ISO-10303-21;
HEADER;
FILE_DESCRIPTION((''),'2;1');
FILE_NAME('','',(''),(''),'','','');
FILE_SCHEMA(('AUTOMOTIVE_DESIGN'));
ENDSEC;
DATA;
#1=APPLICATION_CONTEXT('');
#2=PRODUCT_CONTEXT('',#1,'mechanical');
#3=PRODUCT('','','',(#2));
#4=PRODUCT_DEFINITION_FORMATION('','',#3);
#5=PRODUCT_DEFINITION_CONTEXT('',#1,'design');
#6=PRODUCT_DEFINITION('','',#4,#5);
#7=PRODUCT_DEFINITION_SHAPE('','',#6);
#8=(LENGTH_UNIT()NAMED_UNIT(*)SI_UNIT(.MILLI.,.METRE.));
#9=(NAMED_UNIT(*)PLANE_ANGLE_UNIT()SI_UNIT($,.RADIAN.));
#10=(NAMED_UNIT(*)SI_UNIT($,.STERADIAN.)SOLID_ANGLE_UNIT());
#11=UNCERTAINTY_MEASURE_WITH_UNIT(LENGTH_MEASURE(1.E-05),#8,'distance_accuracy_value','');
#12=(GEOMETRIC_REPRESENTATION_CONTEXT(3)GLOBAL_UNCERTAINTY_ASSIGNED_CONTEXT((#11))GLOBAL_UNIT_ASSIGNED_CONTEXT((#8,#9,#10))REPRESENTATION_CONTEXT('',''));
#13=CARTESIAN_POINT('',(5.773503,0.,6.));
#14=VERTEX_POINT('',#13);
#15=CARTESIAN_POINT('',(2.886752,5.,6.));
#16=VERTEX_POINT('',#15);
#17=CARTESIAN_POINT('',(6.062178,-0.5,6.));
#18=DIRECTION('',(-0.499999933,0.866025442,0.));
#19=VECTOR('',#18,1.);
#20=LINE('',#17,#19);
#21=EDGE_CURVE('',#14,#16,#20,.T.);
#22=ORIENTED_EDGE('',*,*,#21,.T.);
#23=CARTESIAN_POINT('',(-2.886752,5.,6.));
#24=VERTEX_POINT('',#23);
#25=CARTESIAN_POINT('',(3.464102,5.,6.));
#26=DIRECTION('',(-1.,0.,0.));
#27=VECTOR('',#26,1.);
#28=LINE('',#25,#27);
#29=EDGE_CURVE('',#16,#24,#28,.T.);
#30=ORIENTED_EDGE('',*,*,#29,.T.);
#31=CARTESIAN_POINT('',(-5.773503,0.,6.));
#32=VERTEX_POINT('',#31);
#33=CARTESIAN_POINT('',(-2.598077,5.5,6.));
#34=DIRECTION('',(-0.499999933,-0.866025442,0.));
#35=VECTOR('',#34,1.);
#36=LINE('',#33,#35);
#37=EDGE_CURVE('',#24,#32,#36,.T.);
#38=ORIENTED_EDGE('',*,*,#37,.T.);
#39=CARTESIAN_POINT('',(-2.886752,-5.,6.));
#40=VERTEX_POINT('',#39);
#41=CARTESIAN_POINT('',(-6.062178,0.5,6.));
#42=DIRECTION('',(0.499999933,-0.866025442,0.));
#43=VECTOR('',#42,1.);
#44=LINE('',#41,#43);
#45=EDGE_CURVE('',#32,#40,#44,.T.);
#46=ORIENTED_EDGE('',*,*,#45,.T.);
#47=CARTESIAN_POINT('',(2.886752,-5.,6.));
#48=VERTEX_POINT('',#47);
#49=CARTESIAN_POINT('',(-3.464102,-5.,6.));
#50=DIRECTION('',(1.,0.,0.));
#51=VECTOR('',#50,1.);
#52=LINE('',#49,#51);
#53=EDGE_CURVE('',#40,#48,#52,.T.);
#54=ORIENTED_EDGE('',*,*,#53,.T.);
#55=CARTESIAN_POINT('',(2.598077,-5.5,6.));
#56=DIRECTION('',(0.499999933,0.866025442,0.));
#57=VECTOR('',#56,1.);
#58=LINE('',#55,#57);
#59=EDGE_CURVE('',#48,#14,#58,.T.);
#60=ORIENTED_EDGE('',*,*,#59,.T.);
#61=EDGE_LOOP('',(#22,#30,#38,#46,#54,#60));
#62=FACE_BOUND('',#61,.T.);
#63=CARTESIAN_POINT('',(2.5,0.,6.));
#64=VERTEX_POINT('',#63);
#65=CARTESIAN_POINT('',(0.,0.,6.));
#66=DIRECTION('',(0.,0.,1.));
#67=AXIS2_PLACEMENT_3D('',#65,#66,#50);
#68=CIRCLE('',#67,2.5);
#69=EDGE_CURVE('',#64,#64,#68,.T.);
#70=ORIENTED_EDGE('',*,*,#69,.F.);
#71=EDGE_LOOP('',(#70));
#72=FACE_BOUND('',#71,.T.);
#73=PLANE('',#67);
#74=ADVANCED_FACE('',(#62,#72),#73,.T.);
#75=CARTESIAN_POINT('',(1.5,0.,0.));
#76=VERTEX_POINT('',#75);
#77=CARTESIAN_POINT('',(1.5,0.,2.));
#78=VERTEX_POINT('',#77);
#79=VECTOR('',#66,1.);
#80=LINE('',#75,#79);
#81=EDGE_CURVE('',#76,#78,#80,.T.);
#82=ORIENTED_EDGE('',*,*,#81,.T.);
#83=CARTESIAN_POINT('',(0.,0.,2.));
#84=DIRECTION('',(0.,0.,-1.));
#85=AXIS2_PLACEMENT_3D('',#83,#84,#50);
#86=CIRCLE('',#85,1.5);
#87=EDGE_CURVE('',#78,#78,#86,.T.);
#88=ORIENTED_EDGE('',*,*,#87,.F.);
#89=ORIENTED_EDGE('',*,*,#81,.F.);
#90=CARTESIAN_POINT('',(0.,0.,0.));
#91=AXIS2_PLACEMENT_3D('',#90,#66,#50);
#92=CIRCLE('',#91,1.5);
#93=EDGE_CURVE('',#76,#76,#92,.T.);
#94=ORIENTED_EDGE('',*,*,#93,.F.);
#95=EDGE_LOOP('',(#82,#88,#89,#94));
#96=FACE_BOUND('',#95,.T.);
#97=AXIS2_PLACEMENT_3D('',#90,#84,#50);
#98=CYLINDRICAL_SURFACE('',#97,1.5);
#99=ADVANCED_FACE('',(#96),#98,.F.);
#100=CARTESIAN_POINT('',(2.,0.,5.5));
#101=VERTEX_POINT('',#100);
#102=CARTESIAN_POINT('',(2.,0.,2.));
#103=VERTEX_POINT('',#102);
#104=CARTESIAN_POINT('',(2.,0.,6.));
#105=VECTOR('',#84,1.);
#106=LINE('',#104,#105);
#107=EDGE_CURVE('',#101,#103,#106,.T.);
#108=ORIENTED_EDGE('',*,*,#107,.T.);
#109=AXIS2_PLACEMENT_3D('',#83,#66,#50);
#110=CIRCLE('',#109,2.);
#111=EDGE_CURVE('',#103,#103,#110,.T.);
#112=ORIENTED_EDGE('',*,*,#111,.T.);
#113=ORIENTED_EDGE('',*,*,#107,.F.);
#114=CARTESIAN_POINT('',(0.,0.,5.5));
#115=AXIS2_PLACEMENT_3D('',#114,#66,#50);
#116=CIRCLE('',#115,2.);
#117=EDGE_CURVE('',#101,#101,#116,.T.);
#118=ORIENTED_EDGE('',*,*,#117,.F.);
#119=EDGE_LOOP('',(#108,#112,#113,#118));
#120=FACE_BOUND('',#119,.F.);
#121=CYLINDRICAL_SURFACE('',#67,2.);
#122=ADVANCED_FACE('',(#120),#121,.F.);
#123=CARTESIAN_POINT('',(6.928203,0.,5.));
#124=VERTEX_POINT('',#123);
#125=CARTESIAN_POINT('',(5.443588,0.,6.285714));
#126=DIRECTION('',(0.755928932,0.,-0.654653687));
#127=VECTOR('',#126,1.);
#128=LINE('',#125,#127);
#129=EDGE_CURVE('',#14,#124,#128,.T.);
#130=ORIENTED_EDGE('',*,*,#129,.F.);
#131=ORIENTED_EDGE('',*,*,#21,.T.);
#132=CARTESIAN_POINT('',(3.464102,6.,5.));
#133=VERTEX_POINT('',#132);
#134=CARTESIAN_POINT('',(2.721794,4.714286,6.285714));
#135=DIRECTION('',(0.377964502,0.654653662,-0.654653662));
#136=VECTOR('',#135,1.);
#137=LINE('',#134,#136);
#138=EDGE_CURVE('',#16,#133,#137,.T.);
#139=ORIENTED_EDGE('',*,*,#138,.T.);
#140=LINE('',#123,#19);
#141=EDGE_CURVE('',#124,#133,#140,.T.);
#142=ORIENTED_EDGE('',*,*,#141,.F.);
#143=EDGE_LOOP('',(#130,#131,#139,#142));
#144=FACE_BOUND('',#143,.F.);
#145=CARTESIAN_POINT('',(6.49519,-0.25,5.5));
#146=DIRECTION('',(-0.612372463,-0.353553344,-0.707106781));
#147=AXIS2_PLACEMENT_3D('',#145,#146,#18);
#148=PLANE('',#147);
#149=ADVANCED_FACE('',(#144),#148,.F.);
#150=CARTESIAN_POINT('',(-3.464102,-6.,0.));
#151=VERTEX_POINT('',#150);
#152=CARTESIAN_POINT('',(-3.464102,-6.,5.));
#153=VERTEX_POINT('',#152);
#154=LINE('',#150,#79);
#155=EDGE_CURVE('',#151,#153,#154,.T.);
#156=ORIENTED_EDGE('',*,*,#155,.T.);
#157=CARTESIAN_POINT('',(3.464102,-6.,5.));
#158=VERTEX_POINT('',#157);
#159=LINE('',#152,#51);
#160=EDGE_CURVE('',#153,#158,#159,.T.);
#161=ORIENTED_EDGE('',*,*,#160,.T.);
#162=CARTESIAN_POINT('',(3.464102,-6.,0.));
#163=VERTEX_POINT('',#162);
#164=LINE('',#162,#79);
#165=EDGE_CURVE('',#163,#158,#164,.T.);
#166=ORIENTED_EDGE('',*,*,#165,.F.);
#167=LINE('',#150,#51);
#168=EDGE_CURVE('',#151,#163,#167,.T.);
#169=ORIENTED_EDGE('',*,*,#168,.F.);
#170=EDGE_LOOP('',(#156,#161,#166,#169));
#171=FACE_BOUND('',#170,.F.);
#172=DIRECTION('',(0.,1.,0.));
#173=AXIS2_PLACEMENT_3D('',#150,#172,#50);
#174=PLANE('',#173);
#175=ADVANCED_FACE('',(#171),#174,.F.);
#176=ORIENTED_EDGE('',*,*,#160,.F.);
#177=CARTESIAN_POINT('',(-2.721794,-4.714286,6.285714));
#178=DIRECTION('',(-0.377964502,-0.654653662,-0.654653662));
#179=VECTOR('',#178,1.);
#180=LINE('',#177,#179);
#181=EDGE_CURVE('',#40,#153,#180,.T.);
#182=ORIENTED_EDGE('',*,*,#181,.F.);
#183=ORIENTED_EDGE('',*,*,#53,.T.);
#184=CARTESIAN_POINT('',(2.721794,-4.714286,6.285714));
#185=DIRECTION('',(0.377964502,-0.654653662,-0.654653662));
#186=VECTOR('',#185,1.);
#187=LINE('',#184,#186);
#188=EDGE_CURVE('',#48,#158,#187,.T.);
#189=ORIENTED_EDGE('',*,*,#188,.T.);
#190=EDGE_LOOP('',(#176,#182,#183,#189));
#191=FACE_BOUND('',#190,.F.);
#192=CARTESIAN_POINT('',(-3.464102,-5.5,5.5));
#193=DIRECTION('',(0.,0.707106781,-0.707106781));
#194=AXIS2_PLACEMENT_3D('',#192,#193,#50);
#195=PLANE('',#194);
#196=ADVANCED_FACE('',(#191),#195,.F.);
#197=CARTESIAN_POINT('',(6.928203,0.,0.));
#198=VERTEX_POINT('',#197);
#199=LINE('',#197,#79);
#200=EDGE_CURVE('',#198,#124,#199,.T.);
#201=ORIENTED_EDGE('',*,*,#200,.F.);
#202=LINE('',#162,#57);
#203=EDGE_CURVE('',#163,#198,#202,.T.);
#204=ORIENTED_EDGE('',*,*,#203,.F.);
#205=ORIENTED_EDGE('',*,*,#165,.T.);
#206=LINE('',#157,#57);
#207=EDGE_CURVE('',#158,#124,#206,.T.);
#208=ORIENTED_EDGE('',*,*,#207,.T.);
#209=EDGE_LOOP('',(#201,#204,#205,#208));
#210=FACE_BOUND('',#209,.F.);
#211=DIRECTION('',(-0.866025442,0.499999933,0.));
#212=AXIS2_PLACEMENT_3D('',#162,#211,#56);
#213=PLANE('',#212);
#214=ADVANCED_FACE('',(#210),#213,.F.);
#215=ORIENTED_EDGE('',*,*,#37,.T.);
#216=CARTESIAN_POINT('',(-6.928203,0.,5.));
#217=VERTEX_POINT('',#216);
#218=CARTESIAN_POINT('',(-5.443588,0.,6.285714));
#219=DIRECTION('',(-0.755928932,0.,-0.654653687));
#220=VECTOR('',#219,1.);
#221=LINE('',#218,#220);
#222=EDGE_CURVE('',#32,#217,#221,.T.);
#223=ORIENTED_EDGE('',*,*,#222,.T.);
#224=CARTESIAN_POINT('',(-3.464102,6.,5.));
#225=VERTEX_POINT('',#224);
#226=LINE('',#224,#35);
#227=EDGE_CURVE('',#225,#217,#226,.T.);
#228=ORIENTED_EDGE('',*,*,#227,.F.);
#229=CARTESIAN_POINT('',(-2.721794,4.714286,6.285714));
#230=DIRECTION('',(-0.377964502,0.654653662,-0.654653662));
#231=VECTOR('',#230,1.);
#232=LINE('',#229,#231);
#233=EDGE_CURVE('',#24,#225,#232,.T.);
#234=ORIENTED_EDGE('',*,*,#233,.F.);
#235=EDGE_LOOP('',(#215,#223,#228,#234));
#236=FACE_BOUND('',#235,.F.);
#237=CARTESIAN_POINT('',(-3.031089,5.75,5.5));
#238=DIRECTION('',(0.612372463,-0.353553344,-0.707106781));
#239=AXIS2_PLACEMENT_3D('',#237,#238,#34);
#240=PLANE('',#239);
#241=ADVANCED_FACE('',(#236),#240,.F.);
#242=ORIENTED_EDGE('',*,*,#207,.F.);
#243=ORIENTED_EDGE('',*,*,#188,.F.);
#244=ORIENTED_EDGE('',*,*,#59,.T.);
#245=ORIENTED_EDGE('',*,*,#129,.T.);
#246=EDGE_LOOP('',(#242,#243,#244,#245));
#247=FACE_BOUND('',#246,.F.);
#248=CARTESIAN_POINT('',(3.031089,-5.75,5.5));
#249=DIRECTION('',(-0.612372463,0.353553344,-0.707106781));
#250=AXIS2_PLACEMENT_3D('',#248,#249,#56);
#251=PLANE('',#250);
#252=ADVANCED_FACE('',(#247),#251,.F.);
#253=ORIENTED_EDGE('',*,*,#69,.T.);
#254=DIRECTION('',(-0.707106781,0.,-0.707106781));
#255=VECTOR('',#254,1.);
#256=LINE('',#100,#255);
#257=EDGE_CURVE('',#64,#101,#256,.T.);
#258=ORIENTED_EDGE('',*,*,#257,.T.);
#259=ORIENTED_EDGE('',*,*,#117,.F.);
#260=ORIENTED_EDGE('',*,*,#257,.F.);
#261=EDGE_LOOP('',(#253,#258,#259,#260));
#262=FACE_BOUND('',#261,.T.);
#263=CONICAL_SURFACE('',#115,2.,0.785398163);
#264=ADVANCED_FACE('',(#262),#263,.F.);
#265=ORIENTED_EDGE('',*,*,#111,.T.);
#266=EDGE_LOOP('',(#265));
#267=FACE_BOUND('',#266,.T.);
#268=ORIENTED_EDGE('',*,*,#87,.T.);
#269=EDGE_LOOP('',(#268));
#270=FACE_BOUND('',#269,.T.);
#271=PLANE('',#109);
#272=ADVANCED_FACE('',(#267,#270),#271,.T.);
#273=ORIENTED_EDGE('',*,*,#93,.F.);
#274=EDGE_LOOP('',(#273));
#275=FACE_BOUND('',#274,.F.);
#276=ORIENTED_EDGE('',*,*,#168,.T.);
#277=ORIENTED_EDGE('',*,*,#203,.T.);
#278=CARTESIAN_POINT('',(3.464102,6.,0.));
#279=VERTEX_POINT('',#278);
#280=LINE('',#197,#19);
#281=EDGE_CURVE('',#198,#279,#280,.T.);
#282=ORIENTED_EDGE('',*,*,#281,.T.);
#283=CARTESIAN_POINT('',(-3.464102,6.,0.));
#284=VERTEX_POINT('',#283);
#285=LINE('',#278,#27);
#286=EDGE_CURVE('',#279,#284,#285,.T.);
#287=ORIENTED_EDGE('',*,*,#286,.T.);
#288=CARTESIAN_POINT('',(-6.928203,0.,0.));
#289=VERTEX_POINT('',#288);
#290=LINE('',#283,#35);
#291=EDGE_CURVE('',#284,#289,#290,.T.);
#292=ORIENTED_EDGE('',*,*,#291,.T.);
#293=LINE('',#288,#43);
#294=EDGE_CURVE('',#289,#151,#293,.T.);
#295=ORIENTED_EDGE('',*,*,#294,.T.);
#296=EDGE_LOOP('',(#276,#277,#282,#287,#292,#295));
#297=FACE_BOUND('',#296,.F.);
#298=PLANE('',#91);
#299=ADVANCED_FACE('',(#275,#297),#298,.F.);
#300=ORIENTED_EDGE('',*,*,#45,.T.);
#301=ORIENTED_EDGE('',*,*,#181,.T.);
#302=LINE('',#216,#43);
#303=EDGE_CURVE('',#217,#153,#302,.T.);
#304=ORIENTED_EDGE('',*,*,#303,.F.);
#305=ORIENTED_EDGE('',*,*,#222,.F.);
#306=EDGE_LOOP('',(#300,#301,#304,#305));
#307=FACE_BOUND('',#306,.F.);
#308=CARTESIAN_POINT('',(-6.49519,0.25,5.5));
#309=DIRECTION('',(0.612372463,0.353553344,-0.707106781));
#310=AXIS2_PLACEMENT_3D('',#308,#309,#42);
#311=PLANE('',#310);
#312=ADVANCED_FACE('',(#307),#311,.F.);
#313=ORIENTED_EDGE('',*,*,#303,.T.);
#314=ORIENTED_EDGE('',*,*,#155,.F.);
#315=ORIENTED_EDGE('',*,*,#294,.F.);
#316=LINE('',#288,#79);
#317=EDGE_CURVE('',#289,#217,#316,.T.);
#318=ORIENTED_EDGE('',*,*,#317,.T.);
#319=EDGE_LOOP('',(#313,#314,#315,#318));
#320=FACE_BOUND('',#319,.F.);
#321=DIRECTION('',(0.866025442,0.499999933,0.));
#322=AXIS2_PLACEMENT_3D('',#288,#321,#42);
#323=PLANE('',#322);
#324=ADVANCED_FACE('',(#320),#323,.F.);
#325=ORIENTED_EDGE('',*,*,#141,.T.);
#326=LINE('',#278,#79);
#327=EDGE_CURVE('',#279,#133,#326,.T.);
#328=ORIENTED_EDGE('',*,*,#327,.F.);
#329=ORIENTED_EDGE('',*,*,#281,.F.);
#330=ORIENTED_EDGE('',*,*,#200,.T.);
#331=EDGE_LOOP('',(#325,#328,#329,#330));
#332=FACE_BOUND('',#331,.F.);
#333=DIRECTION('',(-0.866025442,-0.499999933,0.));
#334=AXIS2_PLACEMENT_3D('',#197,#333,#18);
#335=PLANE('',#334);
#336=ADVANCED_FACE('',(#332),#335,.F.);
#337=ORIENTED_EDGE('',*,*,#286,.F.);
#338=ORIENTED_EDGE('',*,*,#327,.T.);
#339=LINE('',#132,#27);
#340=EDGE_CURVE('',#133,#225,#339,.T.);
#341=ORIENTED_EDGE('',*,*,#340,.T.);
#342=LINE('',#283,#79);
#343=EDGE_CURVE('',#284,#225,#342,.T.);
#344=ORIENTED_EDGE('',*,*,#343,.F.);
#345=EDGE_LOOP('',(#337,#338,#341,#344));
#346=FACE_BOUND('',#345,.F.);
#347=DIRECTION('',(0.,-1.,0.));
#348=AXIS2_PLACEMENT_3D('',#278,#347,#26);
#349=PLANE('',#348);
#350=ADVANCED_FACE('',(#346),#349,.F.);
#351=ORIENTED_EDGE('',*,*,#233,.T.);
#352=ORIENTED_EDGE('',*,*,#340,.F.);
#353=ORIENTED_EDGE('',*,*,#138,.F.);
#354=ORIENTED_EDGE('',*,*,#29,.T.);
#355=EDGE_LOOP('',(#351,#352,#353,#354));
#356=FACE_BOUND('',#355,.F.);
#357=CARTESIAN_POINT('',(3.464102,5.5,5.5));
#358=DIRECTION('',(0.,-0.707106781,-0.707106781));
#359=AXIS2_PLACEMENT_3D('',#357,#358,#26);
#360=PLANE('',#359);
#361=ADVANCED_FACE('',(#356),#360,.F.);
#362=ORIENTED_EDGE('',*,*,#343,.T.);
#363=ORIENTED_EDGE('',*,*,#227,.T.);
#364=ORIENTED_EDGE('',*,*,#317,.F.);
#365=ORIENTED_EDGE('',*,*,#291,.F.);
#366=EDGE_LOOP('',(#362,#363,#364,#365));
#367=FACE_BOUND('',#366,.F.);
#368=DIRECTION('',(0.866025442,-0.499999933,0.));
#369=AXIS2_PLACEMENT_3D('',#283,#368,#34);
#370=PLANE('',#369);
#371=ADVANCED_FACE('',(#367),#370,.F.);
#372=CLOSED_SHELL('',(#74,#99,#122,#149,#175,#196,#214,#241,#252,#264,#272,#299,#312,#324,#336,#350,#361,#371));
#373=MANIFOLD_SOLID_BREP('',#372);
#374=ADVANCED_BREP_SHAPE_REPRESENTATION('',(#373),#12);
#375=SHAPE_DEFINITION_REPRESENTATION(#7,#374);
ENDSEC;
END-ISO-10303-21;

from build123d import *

# Parameters (mm, degrees)
SKETCH_R        = 1.5
PAD_DEPTH       = 6
SKETCH001_R     = 2
POCKET_DEPTH    = 4
CHAMFER_SIZE    = 0.5
CHAMFER001_SIZE = 1


with BuildPart() as part:
    # Sketch → Pad (new body)
    with BuildSketch(Plane.XY):
        Polygon((3.464102, 6), (-3.464102, 6), (-6.928203, 0), (-3.464102, -6), (3.464102, -6), (6.928203, 0), align=None)
        Circle(SKETCH_R, mode=Mode.SUBTRACT)
    extrude(amount=PAD_DEPTH)

    # Sketch001 (on Face9 of Pad) → Pocket (cut)
    with BuildSketch(Plane.XY.offset(6)):
        Circle(SKETCH001_R)
    extrude(amount=-POCKET_DEPTH, mode=Mode.SUBTRACT)

    # Chamfer
    chamfer_edges = [part.edges().sort_by_distance(p)[0] for p in [
        (-2, 0, 6),
    ]]
    chamfer(chamfer_edges, length=CHAMFER_SIZE)

    # Chamfer001
    chamfer001_edges = [part.edges().sort_by_distance(p)[0] for p in [
        (5.196152, -3, 6),
        (5.196152, 3, 6),
        (0, 6, 6),
        (-5.196152, 3, 6),
        (-5.196152, -3, 6),
        (0, -6, 6),
    ]]
    chamfer(chamfer001_edges, length=CHAMFER001_SIZE)


solid = part.part
